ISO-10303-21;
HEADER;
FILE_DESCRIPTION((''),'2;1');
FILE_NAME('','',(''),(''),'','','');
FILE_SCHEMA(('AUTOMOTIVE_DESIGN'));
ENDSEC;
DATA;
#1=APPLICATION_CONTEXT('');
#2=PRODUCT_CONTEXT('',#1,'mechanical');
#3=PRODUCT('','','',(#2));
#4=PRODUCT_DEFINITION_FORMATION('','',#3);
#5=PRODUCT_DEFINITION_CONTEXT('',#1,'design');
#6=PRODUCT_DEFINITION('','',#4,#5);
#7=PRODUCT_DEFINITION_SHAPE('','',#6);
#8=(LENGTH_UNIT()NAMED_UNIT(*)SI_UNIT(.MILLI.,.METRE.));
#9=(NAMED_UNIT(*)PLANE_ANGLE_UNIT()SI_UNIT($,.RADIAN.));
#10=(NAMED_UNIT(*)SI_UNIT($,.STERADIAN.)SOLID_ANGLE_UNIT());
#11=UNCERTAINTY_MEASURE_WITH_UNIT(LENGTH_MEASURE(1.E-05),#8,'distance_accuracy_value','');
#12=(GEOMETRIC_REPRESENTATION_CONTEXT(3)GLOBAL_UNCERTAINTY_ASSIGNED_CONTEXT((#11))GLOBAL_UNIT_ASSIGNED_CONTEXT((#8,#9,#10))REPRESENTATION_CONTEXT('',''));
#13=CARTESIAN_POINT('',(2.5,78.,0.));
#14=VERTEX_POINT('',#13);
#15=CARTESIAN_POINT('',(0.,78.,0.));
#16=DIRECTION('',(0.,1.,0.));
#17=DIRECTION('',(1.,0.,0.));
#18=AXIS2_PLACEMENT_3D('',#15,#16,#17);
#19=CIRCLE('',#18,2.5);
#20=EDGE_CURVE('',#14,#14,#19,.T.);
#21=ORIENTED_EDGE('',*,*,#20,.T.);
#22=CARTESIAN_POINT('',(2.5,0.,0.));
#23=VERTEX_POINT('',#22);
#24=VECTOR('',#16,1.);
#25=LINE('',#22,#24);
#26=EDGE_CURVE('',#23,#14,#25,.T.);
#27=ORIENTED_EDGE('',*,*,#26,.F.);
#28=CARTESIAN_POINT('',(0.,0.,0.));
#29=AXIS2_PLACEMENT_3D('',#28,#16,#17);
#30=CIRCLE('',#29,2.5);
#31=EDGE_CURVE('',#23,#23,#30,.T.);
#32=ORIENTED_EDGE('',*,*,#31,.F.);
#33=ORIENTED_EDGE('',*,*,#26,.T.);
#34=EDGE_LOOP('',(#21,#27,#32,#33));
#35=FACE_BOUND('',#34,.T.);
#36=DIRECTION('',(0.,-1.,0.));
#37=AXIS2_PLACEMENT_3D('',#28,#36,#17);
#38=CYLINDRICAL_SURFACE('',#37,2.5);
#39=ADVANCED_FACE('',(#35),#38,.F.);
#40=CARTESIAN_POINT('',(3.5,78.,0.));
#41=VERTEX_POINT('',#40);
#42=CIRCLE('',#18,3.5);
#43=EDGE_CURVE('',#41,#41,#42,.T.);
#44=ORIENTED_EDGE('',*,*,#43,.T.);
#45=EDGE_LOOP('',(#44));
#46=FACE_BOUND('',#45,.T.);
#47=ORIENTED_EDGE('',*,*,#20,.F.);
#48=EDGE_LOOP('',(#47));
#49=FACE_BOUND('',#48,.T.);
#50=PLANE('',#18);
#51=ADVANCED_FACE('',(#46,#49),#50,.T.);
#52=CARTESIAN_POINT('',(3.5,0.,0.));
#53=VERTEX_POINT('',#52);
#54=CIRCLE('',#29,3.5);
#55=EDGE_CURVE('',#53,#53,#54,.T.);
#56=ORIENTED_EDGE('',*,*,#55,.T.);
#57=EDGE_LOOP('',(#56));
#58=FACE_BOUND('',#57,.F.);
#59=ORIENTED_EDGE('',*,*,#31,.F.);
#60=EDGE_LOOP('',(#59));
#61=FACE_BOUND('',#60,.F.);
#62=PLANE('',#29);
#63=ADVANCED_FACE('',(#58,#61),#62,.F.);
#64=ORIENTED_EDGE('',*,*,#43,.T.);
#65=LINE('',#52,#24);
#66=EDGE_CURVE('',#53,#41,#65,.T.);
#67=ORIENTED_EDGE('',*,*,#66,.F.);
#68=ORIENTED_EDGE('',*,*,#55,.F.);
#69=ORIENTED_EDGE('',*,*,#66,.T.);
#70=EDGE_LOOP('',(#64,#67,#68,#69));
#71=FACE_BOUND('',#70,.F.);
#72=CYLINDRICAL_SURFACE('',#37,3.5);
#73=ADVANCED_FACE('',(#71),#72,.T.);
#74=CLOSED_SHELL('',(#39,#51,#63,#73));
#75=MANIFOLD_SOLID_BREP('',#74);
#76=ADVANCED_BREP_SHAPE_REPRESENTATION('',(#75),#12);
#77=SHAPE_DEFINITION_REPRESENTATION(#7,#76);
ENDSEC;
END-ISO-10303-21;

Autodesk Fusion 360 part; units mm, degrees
sketch "Sketch1" plane through (0, 0, 0) normal (0, 1, 0) x (1, 0, 0)
  circle A0 centre (0, 0) radius 2.5
  circle A1 centre (0, 0) radius 3.5
  dimension "d1" = 5
  dimension "d2" = 7
extrude "Extrude1" add sketch "Sketch1" along normal blind 78
